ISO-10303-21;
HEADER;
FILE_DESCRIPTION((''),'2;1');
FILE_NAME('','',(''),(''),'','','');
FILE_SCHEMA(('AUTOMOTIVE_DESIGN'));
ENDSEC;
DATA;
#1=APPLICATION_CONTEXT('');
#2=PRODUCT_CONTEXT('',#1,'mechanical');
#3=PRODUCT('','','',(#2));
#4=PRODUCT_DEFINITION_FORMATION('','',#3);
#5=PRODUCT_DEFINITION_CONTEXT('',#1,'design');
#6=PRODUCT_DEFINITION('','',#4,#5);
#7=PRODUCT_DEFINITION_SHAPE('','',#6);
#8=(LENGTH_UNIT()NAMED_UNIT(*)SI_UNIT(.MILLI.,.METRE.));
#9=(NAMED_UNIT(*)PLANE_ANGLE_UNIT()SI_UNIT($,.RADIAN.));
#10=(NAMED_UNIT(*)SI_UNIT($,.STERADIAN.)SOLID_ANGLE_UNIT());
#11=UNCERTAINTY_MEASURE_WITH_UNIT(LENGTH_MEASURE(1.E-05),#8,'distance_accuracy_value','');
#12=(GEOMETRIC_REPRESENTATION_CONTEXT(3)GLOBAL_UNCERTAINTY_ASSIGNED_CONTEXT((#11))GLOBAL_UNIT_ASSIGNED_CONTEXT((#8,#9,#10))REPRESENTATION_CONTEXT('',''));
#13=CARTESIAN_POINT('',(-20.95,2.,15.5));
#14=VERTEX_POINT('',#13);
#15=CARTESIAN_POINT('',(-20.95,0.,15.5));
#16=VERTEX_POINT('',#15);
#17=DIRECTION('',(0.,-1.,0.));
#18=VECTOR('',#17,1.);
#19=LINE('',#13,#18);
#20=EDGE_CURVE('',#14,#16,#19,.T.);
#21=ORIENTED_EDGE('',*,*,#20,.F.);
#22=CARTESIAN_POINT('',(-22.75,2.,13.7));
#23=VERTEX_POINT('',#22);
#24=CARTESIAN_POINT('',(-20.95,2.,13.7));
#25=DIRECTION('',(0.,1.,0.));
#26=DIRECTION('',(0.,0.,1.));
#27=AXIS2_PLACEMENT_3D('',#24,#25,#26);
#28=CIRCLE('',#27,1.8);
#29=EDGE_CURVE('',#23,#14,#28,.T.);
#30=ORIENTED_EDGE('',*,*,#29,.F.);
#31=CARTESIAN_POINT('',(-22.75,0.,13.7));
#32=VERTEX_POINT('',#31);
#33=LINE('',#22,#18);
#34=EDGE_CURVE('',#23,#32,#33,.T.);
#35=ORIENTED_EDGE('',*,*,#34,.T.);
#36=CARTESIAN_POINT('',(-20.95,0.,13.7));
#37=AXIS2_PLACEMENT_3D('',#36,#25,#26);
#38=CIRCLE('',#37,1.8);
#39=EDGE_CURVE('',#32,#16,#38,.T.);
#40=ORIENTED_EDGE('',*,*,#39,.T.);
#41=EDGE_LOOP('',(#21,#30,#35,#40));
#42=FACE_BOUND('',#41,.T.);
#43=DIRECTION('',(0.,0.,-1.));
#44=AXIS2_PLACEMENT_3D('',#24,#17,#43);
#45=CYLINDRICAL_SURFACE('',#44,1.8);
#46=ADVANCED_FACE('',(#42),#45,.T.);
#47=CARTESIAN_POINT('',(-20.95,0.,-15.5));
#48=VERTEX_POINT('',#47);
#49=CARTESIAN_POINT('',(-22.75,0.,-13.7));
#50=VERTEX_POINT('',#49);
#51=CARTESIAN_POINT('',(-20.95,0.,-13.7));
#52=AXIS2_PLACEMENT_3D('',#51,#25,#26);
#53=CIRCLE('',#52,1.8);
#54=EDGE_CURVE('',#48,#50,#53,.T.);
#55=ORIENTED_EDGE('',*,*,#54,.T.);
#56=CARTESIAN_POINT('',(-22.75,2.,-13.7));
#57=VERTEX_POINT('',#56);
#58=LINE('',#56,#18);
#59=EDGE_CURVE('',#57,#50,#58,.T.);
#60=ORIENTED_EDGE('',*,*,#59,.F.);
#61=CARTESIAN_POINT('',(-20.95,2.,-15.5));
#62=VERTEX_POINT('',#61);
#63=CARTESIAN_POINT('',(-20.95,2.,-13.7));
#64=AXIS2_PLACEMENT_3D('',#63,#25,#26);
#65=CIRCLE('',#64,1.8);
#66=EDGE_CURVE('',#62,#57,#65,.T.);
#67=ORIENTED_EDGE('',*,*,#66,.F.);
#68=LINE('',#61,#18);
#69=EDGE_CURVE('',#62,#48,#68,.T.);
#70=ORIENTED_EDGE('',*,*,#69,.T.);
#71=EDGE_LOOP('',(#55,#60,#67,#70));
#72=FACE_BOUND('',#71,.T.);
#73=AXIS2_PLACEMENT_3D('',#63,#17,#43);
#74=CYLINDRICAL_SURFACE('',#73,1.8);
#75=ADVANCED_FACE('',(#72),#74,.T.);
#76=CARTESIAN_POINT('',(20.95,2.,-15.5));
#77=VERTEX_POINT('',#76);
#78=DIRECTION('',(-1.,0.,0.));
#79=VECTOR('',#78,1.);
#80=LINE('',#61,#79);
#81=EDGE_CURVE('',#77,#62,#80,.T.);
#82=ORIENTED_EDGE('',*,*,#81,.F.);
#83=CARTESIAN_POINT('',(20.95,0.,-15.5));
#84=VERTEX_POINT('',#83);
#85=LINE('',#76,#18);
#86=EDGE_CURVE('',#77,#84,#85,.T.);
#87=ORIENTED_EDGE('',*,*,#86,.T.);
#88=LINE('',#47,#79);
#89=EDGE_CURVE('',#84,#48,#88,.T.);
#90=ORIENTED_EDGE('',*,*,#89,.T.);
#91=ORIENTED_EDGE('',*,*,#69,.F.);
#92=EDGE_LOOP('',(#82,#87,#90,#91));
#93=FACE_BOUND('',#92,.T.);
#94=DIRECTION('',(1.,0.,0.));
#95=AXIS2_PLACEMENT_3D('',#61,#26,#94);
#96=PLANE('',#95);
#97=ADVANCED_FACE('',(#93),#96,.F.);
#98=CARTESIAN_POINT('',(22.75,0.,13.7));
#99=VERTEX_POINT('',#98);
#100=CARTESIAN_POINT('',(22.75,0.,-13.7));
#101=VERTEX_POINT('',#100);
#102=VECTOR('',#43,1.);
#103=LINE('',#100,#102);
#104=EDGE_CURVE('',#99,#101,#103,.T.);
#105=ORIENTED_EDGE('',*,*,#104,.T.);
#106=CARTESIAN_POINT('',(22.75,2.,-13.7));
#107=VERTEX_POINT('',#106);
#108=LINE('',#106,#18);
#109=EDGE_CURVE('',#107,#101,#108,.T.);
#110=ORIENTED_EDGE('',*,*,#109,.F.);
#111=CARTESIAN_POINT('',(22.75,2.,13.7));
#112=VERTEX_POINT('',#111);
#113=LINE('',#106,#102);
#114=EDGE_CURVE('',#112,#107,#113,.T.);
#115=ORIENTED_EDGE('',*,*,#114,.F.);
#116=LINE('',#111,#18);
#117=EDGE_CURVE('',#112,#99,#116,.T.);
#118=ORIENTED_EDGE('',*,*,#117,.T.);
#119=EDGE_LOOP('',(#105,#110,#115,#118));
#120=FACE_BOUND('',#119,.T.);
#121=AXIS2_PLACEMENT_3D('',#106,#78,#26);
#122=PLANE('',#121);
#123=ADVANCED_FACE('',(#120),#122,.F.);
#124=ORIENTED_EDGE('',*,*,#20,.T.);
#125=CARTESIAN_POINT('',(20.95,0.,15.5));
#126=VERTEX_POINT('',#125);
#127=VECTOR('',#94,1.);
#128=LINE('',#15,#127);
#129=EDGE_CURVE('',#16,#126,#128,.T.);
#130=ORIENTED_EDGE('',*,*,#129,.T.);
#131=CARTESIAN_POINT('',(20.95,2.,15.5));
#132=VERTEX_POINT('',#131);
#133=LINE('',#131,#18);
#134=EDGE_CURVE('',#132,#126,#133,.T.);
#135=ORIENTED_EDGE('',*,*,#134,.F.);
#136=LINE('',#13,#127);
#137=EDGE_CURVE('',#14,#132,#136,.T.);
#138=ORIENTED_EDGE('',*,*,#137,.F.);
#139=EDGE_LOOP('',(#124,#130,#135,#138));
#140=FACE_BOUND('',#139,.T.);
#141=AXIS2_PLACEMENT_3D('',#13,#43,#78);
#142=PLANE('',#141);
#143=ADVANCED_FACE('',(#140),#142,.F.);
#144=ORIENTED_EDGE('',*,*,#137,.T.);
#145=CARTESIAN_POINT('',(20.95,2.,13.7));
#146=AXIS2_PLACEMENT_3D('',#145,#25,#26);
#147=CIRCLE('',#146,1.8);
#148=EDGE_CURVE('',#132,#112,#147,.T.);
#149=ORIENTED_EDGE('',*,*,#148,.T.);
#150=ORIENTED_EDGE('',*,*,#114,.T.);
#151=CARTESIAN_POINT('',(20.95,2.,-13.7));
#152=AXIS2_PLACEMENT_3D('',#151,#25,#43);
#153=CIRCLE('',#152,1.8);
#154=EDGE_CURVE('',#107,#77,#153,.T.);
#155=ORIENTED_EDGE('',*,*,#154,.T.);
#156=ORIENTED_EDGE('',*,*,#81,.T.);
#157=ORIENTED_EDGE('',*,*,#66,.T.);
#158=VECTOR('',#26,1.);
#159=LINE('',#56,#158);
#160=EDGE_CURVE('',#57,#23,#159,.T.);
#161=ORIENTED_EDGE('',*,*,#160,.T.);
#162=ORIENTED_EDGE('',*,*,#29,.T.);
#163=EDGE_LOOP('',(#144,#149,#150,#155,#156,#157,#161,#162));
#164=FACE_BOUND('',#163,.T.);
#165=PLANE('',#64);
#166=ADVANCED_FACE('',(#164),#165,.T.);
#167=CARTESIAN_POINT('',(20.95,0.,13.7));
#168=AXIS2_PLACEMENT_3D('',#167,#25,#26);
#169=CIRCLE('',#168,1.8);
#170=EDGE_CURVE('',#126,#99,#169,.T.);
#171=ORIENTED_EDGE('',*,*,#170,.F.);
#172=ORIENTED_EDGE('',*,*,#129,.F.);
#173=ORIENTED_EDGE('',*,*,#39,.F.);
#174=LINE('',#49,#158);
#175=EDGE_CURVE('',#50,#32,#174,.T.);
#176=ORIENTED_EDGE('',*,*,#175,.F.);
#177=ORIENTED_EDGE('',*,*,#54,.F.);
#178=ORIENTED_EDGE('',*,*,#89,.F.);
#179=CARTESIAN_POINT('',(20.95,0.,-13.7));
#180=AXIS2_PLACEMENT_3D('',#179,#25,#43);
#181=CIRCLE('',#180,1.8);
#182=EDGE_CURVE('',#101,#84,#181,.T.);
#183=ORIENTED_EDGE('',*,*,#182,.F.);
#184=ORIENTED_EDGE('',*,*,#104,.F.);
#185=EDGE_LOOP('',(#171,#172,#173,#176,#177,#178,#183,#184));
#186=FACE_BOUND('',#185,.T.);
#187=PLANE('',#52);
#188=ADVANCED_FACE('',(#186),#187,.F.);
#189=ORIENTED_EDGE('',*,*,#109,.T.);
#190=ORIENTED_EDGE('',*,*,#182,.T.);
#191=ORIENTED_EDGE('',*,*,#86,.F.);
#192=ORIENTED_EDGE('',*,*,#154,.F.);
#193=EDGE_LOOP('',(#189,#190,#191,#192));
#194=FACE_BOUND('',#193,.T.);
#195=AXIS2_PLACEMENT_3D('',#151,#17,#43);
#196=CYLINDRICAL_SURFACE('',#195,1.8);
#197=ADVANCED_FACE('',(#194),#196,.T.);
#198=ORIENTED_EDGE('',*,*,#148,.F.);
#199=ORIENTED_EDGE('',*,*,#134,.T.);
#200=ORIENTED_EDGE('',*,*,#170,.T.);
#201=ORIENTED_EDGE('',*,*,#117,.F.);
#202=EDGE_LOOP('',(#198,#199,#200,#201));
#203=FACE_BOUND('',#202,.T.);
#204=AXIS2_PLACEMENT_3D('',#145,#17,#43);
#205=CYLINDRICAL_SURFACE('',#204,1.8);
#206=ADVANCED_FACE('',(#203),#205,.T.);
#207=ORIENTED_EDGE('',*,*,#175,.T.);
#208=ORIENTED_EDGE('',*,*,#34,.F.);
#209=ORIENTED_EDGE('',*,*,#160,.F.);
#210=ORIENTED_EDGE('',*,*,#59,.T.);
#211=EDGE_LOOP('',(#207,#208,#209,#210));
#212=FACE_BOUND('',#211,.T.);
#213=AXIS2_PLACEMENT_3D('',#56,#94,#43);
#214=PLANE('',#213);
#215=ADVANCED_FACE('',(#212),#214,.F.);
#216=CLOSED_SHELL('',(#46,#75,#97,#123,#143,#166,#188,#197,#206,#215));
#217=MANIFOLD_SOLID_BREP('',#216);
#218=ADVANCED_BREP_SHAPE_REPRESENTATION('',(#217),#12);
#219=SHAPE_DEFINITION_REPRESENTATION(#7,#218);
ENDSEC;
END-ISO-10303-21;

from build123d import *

# Parameters (mm, degrees)
EXTRUDE_1_DEPTH = 2


with BuildPart() as part:
    # 草图1 → 凸台-拉伸1 (new body)
    with BuildSketch(Plane(origin=(0, 0, 0), x_dir=(1, 0, 0), z_dir=(0, 1, 0))):
        with BuildLine():
            Line((-20.95, 15.5), (20.95, 15.5))
            ThreePointArc((20.95, 15.5), (22.222792206, 14.972792206), (22.75, 13.7))
            Line((22.75, 13.7), (22.75, -13.7))
            ThreePointArc((22.75, -13.7), (22.222792206, -14.972792206), (20.95, -15.5))
            Line((20.95, -15.5), (-20.95, -15.5))
            ThreePointArc((-20.95, -15.5), (-22.222792206, -14.972792206), (-22.75, -13.7))
            Line((-22.75, -13.7), (-22.75, 13.7))
            ThreePointArc((-22.75, 13.7), (-22.222792206, 14.972792206), (-20.95, 15.5))
        make_face()
    extrude(amount=EXTRUDE_1_DEPTH)


solid = part.part
